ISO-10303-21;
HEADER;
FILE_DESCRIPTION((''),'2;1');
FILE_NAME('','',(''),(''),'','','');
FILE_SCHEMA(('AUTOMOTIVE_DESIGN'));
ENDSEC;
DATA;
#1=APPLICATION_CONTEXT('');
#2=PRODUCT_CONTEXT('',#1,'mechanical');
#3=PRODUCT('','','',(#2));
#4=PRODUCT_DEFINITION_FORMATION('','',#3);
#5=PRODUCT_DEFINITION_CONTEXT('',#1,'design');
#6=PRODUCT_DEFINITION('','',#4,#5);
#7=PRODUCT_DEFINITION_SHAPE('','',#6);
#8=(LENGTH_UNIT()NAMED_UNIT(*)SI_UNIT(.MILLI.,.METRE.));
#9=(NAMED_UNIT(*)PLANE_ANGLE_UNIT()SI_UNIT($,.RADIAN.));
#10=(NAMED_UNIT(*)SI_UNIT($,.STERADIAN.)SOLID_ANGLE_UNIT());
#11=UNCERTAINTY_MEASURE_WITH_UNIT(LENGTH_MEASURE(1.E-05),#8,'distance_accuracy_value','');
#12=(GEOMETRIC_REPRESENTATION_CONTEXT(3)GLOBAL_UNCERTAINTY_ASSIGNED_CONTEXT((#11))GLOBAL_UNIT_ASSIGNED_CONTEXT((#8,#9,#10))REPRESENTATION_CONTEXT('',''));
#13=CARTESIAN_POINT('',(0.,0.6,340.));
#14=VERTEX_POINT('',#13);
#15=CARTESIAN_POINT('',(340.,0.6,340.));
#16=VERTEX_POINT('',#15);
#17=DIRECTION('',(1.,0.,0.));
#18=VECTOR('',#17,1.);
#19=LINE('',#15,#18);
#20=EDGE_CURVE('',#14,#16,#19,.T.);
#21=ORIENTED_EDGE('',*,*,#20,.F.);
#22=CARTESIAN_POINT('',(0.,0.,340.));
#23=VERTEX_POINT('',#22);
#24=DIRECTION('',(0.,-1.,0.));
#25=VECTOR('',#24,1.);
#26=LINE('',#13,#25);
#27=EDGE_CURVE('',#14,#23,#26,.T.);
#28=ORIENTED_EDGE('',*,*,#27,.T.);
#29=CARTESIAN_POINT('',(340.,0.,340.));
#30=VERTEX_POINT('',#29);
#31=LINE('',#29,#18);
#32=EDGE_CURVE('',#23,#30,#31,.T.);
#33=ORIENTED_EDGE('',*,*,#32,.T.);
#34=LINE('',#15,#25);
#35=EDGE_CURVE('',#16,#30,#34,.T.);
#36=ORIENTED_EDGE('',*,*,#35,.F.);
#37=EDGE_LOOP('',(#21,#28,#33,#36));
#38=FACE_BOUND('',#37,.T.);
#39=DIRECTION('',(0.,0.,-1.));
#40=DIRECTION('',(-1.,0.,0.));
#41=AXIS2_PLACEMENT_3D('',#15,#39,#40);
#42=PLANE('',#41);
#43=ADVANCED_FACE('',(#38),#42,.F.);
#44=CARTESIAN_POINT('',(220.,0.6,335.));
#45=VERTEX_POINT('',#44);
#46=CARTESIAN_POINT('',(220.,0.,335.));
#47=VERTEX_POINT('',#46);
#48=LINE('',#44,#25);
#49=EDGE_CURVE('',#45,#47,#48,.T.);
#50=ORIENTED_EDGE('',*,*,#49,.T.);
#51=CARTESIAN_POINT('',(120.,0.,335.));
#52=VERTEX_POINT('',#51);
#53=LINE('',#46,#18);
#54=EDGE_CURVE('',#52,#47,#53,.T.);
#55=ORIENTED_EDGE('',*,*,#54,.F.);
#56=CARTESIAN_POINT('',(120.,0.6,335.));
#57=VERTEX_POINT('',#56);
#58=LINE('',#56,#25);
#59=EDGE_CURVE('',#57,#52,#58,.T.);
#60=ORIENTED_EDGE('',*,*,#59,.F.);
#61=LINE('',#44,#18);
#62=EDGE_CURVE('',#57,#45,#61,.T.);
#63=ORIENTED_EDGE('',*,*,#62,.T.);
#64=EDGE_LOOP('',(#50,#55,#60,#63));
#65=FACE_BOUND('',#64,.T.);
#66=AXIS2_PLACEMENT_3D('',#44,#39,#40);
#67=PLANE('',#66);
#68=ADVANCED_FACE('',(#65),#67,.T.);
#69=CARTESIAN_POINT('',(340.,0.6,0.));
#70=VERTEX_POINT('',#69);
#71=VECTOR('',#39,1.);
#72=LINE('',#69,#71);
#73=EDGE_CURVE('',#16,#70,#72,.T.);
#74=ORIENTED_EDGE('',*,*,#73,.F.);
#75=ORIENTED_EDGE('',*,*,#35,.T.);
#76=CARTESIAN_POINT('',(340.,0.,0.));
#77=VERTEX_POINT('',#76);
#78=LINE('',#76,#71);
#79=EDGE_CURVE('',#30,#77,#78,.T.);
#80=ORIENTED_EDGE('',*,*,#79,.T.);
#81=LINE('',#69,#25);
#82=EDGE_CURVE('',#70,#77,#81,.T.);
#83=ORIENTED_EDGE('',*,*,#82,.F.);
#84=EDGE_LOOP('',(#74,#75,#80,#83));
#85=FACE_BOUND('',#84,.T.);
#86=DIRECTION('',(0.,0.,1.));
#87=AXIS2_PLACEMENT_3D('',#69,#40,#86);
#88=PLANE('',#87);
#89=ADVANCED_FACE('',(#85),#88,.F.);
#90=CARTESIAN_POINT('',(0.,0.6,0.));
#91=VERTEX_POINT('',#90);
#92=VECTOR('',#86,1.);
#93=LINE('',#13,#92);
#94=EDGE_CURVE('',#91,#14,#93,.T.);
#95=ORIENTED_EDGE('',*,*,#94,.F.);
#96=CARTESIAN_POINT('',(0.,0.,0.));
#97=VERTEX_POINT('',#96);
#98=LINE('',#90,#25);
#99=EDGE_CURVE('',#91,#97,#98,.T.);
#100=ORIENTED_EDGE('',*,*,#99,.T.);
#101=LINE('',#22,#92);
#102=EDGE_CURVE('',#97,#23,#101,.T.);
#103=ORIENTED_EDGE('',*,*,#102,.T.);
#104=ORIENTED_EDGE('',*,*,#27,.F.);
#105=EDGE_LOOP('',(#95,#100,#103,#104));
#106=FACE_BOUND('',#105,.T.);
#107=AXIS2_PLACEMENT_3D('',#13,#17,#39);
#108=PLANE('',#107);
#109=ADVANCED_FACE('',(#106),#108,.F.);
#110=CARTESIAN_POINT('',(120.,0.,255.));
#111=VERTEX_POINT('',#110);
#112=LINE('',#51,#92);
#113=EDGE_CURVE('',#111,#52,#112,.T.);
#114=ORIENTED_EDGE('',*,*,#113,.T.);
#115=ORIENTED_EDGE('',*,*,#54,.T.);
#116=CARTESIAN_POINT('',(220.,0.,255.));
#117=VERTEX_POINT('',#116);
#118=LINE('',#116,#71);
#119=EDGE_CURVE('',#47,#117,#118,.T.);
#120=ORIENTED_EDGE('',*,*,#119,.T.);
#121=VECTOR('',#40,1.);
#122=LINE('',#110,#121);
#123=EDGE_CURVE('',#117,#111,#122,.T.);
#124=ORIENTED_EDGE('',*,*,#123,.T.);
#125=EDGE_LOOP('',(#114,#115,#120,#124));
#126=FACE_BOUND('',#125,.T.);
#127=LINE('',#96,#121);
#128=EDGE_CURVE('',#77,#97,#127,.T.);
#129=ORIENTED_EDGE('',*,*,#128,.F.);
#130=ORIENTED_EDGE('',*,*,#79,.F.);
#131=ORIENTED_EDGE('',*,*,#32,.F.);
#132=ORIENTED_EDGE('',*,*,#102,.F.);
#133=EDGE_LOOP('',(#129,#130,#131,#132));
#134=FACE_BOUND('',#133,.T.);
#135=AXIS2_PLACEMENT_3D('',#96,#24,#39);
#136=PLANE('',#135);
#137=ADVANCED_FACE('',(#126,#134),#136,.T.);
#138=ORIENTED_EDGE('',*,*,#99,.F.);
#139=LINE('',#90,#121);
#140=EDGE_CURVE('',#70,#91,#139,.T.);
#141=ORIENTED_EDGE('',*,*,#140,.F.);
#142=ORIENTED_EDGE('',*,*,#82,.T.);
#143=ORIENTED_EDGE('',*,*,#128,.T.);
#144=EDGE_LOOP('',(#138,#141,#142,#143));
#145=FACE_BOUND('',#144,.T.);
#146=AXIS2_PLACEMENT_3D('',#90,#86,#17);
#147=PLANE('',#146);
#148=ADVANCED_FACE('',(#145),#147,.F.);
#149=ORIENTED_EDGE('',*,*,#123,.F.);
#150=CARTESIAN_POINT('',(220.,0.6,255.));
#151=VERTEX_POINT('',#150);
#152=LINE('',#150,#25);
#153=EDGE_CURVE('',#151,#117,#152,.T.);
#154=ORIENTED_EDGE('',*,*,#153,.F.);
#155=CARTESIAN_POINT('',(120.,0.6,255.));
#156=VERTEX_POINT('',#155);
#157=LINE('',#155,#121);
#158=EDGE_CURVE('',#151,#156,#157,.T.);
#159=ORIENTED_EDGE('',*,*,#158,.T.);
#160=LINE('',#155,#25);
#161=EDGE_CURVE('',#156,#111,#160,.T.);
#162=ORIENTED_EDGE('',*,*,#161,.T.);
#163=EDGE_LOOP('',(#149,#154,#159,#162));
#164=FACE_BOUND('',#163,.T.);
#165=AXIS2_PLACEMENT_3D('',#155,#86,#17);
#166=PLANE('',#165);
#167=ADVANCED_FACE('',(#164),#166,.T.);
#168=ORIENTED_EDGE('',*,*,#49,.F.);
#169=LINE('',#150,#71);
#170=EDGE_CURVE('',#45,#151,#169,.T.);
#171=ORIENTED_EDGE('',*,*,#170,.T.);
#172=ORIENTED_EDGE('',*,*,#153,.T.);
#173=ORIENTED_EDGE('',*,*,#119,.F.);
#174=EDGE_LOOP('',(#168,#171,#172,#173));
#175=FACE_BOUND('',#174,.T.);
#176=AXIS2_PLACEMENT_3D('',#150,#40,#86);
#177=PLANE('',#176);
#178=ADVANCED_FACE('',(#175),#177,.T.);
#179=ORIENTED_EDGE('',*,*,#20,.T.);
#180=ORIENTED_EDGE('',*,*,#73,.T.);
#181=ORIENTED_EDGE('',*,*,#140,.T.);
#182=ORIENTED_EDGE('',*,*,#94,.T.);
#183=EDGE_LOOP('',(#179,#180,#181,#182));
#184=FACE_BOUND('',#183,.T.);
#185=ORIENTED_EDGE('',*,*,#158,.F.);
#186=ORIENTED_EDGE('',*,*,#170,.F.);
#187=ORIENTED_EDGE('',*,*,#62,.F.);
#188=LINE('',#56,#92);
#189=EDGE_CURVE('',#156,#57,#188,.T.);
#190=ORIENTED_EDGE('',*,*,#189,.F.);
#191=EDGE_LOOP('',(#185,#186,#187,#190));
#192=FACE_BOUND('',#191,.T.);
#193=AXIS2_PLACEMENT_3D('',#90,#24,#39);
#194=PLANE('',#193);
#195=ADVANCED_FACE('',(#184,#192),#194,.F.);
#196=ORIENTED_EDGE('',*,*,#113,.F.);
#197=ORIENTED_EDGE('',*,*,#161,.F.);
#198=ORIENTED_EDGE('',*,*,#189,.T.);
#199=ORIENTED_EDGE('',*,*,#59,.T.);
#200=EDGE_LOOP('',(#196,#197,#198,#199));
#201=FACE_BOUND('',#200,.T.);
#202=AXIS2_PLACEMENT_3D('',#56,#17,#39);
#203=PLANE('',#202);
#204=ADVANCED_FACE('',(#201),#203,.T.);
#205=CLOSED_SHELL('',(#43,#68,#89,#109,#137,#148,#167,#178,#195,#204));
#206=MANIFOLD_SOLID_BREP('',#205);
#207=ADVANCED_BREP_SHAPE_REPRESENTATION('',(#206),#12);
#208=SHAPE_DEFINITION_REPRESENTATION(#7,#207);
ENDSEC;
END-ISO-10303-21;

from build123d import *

# Parameters (mm, degrees)
SKETCH_1_W      = 340
SKETCH_1_H      = 340
SKETCH_1_W_2    = 100
SKETCH_1_H_2    = 80
EXTRUDE_1_DEPTH = 0.6


with BuildPart() as part:
    # 草图1 → 凸台-拉伸1 (new body)
    with BuildSketch(Plane(origin=(0, 0, 0), x_dir=(1, 0, 0), z_dir=(0, 1, 0))):
        with Locations((170, -170)):
            Rectangle(SKETCH_1_W, SKETCH_1_H)
        with Locations((170, -295)):
            Rectangle(SKETCH_1_W_2, SKETCH_1_H_2, mode=Mode.SUBTRACT)
    extrude(amount=EXTRUDE_1_DEPTH)


solid = part.part
